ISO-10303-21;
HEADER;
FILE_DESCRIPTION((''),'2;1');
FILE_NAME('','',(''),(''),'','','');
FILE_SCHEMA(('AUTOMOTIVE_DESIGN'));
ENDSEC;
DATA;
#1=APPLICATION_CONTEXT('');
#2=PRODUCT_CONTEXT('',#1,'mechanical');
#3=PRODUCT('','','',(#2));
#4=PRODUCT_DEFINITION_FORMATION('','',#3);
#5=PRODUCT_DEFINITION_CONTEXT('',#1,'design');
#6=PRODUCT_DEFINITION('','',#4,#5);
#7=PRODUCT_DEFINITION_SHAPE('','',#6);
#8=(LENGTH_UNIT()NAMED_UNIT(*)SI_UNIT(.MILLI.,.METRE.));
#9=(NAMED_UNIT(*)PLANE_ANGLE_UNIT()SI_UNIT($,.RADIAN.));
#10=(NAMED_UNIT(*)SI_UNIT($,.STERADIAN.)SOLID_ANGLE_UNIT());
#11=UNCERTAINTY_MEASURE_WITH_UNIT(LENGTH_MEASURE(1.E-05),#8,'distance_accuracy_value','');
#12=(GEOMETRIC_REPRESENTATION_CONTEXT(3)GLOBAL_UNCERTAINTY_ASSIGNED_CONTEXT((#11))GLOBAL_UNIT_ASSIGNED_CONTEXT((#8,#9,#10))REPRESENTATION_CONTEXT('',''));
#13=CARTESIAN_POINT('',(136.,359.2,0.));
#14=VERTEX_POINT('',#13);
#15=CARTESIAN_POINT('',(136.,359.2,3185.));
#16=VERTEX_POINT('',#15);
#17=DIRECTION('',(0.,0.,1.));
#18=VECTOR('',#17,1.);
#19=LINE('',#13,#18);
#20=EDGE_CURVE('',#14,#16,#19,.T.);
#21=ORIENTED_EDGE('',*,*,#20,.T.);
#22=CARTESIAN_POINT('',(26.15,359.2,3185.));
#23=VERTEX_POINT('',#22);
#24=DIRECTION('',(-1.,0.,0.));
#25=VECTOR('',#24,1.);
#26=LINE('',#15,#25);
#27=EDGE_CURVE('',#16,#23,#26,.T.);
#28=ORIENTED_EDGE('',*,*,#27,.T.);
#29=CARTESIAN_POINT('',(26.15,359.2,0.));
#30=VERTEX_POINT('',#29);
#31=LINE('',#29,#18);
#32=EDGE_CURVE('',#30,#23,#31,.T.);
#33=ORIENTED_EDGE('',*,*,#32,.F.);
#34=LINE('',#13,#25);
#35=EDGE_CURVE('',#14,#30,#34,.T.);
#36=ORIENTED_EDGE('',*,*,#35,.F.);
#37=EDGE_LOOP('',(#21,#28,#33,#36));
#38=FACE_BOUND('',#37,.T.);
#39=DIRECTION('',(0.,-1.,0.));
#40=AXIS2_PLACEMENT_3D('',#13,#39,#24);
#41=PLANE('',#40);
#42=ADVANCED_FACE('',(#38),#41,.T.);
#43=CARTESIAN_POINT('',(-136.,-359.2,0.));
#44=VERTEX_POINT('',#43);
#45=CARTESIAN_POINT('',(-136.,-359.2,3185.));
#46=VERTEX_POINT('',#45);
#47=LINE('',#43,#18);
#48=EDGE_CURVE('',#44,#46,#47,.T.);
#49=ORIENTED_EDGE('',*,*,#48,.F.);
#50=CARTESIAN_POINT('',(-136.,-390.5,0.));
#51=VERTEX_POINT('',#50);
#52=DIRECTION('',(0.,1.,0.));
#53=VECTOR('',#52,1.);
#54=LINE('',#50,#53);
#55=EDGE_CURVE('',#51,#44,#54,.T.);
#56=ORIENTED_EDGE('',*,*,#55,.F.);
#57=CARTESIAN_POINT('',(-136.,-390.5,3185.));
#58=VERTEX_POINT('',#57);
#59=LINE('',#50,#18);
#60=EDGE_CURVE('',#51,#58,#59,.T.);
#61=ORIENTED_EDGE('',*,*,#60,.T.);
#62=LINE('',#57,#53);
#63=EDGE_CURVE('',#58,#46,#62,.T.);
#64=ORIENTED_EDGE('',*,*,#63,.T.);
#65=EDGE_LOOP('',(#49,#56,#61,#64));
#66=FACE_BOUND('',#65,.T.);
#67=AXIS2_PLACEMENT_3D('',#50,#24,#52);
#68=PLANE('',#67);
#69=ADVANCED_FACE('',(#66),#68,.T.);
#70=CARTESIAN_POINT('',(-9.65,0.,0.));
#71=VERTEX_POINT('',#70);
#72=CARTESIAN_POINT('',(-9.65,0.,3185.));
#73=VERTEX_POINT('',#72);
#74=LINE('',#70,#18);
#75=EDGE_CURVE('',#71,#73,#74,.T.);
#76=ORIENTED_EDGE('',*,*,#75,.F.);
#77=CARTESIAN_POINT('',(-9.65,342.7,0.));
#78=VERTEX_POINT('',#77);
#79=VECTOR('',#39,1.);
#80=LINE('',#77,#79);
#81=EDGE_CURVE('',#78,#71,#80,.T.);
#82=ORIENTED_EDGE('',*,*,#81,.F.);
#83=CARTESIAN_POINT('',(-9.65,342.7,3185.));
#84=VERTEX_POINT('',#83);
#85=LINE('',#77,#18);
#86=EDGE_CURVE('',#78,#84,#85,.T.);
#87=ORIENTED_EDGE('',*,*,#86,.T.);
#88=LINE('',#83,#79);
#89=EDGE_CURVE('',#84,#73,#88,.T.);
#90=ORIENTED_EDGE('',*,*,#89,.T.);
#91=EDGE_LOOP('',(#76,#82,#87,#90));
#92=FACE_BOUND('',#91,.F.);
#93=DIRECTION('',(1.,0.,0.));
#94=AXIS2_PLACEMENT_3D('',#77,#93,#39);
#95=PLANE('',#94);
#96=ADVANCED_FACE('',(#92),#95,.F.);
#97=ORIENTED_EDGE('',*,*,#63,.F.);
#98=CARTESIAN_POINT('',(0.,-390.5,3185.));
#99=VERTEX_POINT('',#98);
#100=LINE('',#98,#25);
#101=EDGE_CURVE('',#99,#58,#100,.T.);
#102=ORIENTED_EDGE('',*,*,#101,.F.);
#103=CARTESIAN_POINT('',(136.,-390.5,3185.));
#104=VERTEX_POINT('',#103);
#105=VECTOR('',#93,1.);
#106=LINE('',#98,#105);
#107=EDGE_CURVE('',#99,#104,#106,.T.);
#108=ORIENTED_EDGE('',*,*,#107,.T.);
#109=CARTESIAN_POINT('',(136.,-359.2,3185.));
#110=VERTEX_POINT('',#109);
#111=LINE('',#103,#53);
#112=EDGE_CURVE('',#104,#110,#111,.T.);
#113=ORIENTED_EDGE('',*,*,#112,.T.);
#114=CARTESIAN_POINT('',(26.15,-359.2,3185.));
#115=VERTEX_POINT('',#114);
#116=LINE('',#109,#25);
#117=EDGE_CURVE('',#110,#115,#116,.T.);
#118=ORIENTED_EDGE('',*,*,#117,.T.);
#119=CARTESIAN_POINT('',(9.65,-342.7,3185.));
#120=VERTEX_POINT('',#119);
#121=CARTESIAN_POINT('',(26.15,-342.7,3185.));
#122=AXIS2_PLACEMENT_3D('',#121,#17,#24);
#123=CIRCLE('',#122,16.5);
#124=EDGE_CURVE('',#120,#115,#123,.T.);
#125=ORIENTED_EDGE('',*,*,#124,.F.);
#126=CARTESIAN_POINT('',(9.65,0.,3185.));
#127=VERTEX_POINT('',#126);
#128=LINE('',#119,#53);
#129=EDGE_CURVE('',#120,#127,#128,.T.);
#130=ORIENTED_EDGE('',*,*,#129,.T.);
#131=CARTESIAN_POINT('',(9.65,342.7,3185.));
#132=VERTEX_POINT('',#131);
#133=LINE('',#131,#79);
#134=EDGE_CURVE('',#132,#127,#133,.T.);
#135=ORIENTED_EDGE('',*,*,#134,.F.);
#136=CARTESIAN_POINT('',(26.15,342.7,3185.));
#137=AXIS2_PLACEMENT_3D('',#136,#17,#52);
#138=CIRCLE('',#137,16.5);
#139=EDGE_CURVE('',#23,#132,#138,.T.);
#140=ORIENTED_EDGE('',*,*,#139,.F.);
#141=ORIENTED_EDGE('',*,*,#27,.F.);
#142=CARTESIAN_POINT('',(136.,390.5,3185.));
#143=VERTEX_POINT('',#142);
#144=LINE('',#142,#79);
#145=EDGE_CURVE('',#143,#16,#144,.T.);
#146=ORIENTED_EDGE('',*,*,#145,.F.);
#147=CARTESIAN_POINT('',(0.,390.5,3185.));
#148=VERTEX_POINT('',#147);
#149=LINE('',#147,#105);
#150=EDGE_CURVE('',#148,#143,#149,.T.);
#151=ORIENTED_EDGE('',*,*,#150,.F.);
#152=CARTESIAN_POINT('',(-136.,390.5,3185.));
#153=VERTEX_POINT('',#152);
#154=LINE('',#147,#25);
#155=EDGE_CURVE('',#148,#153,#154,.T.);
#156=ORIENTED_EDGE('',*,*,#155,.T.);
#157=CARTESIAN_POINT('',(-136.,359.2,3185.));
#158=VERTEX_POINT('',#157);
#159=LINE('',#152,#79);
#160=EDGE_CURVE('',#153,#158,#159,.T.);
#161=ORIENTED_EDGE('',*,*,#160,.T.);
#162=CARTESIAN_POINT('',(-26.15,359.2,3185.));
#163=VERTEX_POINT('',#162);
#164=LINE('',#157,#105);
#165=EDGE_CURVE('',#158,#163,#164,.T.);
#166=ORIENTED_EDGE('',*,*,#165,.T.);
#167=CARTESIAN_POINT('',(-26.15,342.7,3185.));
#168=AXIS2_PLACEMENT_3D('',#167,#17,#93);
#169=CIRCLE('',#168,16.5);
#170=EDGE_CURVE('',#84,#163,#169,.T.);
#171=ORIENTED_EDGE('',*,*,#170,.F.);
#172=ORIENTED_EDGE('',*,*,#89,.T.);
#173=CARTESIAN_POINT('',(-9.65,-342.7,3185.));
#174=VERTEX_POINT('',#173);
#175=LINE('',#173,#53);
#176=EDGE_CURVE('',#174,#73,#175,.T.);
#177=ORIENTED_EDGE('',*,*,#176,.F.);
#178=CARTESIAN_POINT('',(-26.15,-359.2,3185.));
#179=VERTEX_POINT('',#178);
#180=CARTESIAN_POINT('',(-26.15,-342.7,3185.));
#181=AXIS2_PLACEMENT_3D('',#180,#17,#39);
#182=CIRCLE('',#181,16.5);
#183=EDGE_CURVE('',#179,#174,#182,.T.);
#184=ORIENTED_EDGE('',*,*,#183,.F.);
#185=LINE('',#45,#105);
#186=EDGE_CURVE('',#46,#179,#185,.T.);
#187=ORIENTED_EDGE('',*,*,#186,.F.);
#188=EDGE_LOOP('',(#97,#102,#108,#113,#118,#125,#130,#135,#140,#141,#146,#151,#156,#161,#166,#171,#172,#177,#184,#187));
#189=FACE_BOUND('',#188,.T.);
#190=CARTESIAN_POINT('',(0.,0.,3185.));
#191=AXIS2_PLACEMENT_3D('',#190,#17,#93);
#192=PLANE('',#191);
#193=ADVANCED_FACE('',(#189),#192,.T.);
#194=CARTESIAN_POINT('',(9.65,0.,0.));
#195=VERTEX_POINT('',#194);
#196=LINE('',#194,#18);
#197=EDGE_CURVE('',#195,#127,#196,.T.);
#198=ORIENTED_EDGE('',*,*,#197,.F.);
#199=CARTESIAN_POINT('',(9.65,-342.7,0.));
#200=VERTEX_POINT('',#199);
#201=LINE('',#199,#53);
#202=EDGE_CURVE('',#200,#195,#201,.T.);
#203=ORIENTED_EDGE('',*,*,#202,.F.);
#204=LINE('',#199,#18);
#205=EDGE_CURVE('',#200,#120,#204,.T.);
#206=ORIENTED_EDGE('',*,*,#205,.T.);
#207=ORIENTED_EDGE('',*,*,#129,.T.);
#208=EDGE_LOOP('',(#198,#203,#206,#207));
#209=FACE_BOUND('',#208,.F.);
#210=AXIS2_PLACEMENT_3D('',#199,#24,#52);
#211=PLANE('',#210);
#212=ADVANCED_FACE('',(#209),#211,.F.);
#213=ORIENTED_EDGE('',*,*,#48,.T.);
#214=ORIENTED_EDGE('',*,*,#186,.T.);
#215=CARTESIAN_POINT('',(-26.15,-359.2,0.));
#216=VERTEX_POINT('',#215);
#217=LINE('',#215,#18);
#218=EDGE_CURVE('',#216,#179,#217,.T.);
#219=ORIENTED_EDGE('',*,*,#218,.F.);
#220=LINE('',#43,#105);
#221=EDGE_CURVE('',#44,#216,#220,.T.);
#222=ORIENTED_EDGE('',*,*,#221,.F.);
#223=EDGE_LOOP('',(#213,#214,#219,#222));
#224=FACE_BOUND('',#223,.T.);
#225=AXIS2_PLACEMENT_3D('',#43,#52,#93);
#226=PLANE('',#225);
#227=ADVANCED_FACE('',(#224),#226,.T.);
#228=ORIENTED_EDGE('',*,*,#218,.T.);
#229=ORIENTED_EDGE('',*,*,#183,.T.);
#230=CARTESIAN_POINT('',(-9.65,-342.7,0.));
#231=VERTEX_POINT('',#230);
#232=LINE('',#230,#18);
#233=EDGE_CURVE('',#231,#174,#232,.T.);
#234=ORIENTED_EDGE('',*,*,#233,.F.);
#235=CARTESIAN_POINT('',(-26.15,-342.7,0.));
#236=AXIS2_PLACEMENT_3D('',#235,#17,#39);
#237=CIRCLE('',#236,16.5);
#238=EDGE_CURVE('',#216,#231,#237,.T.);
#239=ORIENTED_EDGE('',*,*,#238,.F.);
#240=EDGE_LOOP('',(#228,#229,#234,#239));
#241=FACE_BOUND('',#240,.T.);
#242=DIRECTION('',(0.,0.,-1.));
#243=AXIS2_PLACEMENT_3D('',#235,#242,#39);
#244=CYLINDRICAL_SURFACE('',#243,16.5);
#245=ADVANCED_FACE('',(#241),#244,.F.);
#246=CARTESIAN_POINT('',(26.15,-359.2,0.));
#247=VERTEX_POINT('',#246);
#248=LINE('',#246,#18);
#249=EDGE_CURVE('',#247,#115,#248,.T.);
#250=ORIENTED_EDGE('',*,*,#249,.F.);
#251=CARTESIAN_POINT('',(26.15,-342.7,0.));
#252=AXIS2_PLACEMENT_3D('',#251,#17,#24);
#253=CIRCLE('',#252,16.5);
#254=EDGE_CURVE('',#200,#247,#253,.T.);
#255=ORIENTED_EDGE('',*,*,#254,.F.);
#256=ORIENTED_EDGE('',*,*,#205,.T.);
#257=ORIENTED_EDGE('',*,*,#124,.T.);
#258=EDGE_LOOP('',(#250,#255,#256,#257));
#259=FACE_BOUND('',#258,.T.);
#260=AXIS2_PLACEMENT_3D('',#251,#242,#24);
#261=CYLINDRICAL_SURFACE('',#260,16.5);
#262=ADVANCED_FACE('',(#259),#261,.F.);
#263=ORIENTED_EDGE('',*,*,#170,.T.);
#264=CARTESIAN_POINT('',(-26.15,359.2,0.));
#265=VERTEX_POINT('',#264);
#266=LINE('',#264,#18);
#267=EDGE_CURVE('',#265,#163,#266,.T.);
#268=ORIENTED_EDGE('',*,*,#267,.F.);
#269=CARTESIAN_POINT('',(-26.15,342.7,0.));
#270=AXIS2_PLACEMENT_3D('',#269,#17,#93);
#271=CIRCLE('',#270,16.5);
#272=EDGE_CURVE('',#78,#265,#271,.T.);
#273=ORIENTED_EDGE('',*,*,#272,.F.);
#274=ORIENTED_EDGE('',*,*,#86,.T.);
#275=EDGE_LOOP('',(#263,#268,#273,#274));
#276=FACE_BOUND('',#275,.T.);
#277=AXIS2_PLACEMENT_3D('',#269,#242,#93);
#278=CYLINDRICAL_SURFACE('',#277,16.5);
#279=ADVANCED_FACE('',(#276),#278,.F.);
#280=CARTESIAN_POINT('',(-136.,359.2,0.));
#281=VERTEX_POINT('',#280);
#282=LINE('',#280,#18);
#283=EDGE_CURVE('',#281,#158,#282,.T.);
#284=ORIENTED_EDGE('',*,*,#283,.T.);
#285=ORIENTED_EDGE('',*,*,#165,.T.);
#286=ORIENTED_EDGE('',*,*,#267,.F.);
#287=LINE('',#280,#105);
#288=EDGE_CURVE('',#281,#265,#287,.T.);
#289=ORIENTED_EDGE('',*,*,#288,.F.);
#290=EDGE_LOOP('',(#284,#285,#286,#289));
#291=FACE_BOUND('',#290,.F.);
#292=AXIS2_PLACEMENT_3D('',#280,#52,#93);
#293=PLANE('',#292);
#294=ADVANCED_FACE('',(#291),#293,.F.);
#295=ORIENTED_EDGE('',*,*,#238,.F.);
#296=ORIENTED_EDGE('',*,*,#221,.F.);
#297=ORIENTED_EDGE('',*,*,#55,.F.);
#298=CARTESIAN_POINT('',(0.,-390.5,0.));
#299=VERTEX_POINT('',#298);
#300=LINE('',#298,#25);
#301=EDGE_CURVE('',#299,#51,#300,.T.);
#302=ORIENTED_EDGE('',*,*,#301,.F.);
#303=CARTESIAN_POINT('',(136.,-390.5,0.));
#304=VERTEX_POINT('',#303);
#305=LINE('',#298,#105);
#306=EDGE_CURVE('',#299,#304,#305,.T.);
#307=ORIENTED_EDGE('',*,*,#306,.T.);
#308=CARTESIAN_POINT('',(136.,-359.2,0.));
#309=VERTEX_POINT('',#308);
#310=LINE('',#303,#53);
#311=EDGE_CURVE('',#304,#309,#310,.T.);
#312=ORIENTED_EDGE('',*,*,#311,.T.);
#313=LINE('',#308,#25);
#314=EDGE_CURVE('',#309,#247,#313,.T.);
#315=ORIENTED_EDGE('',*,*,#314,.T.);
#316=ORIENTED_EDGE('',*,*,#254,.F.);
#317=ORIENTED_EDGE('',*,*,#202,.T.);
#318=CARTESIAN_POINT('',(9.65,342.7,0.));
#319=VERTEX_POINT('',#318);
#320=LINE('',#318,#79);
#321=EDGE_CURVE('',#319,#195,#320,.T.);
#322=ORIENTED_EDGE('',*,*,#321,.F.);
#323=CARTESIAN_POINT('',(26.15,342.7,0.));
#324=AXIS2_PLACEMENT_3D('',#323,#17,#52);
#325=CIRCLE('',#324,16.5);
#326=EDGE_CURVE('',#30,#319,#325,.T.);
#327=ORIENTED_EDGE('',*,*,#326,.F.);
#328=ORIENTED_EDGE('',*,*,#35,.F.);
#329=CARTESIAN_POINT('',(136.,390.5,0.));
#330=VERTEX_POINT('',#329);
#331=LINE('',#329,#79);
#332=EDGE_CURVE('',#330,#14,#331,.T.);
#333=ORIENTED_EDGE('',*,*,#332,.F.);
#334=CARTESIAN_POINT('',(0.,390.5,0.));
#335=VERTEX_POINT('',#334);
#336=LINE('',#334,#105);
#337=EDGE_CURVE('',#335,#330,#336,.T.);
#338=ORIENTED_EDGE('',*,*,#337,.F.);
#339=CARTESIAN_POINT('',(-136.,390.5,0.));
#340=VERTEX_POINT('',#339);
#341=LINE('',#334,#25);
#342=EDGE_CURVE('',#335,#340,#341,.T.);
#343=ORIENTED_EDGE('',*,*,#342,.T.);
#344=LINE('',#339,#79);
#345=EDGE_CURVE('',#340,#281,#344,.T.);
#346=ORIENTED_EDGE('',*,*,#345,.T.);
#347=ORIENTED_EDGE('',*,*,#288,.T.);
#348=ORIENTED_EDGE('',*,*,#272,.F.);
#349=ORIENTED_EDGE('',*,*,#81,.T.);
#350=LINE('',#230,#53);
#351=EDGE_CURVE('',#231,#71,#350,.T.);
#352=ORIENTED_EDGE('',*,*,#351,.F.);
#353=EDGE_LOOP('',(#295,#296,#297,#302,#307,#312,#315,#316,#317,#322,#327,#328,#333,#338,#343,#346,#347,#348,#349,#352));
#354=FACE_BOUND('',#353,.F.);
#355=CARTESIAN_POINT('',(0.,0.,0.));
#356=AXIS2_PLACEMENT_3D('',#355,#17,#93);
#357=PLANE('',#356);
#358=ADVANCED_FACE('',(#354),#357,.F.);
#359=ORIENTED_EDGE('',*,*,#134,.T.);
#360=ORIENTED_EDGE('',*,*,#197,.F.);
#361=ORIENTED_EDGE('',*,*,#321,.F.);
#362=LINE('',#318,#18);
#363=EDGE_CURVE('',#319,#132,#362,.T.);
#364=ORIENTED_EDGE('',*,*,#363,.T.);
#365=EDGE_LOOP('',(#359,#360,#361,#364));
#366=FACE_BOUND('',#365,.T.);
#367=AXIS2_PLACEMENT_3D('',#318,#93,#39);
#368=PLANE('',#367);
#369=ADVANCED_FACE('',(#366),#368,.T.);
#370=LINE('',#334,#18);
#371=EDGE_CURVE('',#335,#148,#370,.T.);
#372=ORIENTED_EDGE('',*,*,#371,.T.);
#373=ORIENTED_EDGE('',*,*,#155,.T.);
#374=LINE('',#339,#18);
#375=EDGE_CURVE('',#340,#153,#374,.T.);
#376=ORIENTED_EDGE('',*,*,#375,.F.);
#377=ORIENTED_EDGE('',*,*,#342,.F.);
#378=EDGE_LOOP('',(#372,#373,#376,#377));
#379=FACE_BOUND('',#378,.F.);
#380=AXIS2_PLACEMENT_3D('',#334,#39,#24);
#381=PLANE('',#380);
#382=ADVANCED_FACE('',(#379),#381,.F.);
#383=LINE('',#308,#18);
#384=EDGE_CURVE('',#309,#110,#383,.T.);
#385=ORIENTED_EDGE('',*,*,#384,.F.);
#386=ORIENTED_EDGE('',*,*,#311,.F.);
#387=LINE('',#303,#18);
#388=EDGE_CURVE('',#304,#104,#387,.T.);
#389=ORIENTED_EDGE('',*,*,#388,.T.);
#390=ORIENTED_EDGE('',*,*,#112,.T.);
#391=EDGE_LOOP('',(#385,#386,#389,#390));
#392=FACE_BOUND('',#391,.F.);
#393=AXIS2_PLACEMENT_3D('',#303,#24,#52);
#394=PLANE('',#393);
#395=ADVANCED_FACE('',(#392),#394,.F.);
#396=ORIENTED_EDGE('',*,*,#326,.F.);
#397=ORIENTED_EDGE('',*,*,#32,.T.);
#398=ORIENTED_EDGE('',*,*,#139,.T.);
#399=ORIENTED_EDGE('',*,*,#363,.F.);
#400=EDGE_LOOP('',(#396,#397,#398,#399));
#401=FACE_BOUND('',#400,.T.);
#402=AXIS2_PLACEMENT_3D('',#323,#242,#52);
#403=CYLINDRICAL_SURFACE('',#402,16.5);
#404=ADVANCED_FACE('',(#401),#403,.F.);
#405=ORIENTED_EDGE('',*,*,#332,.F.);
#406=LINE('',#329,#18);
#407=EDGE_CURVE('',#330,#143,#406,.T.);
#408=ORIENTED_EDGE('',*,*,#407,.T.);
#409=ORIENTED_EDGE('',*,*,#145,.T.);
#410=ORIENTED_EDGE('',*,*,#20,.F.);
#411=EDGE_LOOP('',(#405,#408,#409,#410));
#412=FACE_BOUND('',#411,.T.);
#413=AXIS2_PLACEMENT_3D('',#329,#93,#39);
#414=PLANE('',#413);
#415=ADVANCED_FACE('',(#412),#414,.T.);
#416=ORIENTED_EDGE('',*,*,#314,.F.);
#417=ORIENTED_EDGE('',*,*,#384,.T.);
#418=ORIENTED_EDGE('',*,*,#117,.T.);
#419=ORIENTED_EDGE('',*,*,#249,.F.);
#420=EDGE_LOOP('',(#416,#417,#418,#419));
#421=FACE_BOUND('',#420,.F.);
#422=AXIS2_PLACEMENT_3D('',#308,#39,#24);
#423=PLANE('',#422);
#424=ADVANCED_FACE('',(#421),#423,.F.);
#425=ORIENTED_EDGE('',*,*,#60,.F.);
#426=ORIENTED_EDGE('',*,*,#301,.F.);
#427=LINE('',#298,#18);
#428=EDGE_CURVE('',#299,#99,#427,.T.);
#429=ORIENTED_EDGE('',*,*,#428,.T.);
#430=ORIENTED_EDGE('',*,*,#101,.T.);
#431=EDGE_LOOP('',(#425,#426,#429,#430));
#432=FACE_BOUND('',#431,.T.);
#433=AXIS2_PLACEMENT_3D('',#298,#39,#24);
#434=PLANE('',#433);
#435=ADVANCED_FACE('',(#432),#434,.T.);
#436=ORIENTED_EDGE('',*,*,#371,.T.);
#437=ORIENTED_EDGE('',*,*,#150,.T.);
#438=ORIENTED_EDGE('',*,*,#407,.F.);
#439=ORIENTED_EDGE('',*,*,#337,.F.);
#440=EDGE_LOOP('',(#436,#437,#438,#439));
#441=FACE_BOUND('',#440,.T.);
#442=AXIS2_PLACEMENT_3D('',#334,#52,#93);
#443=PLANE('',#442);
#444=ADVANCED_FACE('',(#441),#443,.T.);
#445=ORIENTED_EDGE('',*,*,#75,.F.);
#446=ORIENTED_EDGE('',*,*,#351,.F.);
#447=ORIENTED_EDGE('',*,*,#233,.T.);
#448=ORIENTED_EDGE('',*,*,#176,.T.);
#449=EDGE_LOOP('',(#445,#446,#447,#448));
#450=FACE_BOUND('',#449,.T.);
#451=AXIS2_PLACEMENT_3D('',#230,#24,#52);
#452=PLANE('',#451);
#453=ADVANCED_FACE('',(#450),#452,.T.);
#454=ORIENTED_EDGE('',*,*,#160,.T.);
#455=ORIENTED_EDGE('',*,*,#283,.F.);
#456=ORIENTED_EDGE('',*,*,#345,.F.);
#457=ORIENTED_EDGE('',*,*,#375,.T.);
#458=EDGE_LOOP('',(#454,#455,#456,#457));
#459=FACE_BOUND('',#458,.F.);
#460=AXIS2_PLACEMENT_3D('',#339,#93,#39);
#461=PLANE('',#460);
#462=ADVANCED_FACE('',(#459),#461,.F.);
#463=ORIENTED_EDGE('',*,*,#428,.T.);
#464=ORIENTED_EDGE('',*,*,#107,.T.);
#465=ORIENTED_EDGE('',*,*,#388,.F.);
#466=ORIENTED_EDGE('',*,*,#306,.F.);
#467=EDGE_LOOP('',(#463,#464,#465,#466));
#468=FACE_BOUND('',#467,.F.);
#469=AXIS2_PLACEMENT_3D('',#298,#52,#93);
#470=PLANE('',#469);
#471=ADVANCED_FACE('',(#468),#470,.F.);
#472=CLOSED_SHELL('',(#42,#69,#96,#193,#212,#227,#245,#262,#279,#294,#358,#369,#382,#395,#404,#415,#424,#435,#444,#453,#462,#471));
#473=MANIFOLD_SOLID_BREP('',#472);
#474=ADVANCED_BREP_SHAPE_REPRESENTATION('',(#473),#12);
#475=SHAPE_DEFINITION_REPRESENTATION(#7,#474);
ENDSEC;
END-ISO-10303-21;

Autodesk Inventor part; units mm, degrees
ref_plane "YZ Plane" through (0, 0, 0) normal (1, 0, 0) x (0, 1, 0)
ref_plane "Start plane" through (0, 0, 0) normal (0, 0, 1) x (1, 0, 0)
ref_plane "End plane" through (0, 0, 3185) normal (0, 0, 1) x (1, 0, 0)
sketch "Sketch" plane through (0, 0, 0) normal (0, 0, 1) x (1, 0, 0)
  line L0 (-136, -390.5) -> (-136, -359.2)
  line L1 (-136, -359.2) -> (-26.15, -359.2)
  line L2 (-9.65, -342.7) -> (-9.65, 0)
  line L3 (-9.65, 0) -> (0, 0) construction
  line L4 (0, 0) -> (0, -390.5) construction
  line L5 (0, -390.5) -> (-136, -390.5)
  line L6 (-60, 0) -> (80, 0) construction
  line L7 (0, -60) -> (0, 80) construction
  line L8 (136, -390.5) -> (136, -359.2)
  line L9 (136, -359.2) -> (26.15, -359.2)
  line L10 (9.65, -342.7) -> (9.65, 0)
  line L11 (9.65, 0) -> (0, 0) construction
  line L12 (0, -390.5) -> (136, -390.5)
  line L13 (-136, 390.5) -> (-136, 359.2)
  line L14 (-136, 359.2) -> (-26.15, 359.2)
  line L15 (-9.65, 342.7) -> (-9.65, 0)
  line L16 (0, 390.5) -> (-136, 390.5)
  line L17 (136, 390.5) -> (136, 359.2)
  line L18 (136, 359.2) -> (26.15, 359.2)
  line L19 (0, 390.5) -> (136, 390.5)
  line L20 (9.65, 342.7) -> (9.65, 0)
  arc A0 (-9.65, 342.7) -> (-26.15, 359.2) centre (-26.15, 342.7) ccw
  arc A1 (26.15, 359.2) -> (9.65, 342.7) centre (26.15, 342.7) ccw
  arc A2 (9.65, -342.7) -> (26.15, -359.2) centre (26.15, -342.7) ccw
  arc A3 (-26.15, -359.2) -> (-9.65, -342.7) centre (-26.15, -342.7) ccw
  line L21 (0, 108) -> (0, -88) construction
  line L22 (-88, 0) -> (108, 0) construction
  point P0 (-9.65, -359.2)
  point P1 (9.65, -359.2)
  point P2 (-9.65, 359.2)
  point P3 (9.65, 359.2)
  dimension "d1" = 390.5
  dimension "d2" = 31.3
  dimension "d3" = 136
  dimension "d4" = 9.65
  dimension "d10" = 16.5
extrude "Body" add sketch "Sketch" along normal up to surface (3185 mm away) from surface at 0
sketch "Sketch4" plane through (0, 0, 0) normal (0, 0, 1) x (1, 0, 0)
  line L0 (0, 0) -> (10, 0)
ref_plane "Work Plane3" through (0, 0, 0) normal (0, -1, 0) x (1, 0, 0)
sketch "Sketch5" plane through (0, 0, 0) normal (0, -1, 0) x (1, 0, 0)
  line L0 (-2, 0) -> (12, 0) projected
  line L1 (-2, 3185) -> (12, 3185) projected
  dimension "d14" = 3185
equation "\"d1\" = 0.5 * G_H"
equation "\"d2\" = G_T1"
equation "\"d3\" = 0.5 * G_W"
equation "\"d4\" = 0.5 * G_T"
equation "\"d10\" = G_IR"
equation "\"d5\" = G_L"
equation "\"G_W\" = 272"
equation "\"G_H\" = 781"
equation "\"G_T\" = 19.3"
equation "\"G_T1\" = 31.3"
equation "\"G_IR\" = 16.5"
equation "\"G_L\" = d14"
equation "\"G_OFFSET_START\" = 0"
equation "\"G_OFFSET_END\" = 0"
equation "\"d12\" = G_OFFSET_END + B_L"
equation "\"B_L\" = 3185"
properties part number "AS 3679-1990 - 760 UB - 244 - 3185" material "Steel, Mild"
